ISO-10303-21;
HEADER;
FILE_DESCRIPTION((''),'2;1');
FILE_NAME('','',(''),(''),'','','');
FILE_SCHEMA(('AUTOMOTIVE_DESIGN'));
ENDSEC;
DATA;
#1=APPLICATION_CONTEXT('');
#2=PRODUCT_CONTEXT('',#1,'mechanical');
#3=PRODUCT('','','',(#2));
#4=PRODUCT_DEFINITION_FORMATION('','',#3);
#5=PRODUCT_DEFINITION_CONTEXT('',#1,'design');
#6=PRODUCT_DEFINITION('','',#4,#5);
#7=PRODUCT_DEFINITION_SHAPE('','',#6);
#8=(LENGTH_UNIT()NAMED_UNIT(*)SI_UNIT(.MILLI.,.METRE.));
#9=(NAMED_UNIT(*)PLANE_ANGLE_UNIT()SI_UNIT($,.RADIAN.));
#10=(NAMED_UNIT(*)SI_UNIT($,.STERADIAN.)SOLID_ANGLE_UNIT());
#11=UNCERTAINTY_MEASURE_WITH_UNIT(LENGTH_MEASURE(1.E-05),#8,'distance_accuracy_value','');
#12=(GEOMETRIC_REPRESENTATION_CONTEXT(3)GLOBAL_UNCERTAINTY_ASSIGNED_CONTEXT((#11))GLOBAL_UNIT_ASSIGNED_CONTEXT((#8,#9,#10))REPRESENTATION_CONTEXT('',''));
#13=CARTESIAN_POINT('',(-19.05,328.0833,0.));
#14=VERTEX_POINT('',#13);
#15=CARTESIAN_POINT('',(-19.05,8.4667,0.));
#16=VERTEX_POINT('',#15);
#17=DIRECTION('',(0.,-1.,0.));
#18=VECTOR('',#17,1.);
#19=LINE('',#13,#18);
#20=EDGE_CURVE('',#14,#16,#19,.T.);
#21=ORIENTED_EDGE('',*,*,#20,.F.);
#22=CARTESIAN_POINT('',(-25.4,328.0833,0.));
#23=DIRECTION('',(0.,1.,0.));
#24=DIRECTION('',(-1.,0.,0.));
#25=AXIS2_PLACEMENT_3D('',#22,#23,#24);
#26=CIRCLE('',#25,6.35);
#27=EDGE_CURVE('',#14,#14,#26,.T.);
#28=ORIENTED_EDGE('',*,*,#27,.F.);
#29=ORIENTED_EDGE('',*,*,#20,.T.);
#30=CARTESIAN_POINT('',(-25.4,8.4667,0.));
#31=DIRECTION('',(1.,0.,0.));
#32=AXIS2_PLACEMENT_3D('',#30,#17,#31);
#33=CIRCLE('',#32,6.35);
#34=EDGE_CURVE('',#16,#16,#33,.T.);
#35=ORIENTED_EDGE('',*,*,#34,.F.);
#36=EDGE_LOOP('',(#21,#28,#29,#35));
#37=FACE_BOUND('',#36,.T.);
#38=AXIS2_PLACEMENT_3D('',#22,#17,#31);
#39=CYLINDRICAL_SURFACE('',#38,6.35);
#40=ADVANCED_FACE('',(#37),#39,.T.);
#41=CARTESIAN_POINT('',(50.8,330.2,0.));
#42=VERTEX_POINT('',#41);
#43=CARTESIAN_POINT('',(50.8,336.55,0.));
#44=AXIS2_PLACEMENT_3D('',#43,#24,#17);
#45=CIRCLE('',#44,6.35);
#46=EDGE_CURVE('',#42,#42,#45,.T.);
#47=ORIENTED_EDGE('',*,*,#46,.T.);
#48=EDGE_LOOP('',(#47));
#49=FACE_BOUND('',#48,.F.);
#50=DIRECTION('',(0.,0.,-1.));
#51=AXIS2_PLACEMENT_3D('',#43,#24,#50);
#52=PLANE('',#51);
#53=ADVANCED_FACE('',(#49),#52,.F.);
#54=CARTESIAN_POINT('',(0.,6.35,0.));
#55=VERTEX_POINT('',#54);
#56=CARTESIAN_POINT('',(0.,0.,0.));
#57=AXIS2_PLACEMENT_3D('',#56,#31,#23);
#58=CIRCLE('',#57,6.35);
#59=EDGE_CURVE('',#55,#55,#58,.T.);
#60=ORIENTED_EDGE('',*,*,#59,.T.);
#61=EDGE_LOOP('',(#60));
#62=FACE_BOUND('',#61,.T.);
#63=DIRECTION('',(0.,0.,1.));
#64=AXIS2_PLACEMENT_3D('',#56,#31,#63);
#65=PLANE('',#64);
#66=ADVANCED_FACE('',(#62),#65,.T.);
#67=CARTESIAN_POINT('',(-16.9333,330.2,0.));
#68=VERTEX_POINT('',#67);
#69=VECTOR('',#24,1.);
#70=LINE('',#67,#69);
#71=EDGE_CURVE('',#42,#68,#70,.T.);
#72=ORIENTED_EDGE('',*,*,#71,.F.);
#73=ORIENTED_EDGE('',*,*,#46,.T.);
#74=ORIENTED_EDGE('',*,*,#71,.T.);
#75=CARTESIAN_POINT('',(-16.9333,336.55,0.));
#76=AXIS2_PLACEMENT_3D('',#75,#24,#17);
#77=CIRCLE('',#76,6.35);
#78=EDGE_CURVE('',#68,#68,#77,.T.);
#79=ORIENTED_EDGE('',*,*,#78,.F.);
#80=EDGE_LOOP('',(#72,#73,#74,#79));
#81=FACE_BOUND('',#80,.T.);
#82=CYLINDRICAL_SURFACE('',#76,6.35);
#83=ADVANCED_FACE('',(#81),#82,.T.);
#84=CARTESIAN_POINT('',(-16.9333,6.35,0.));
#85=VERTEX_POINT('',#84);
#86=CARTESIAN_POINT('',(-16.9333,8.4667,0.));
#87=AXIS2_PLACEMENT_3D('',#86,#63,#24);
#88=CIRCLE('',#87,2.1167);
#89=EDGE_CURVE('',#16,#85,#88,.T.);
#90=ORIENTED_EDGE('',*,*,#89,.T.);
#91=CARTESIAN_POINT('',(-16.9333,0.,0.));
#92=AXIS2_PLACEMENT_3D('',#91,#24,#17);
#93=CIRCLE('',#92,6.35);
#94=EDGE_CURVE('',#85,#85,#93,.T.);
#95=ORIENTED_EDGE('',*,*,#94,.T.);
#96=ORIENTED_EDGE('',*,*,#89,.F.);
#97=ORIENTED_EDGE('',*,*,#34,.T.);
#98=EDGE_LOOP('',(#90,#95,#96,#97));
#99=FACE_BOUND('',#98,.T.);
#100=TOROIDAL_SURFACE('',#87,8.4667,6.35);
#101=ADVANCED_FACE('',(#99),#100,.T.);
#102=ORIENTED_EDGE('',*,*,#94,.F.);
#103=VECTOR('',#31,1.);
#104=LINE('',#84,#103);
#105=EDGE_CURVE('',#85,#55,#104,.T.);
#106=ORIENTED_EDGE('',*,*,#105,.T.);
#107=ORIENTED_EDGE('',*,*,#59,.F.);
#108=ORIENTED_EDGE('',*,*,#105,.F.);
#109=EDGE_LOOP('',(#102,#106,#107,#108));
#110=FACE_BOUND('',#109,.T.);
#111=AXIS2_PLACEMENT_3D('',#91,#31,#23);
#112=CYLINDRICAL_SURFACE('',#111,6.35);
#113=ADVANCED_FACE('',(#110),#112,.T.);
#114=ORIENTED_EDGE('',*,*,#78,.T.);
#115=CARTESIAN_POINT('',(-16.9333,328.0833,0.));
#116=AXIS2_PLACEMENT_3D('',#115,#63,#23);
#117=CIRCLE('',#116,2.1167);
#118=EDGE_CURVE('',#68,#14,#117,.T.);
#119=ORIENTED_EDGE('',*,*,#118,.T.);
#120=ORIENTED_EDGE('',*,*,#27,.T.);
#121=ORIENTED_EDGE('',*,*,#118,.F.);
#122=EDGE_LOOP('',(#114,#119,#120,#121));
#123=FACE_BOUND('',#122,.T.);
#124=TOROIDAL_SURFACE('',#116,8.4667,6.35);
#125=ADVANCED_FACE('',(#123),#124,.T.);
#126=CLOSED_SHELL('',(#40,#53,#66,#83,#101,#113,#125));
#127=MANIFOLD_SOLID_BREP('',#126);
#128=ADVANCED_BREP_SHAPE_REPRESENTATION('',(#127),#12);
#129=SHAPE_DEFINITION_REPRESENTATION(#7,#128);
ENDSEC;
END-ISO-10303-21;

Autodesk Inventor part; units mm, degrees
ref_plane "YZ Plane" through (0, 0, 0) normal (1, 0, 0) x (0, 1, 0)
ref_plane "XZ Plane" through (0, 0, 0) normal (0, 1, 0) x (-1, 0, 0)
ref_plane "XY Plane" through (0, 0, 0) normal (0, 0, 1) x (1, 0, 0)
sketch "PipeSide" plane through (0, 0, 0) normal (0, 0, 1) x (1, 0, 0)
  line L0 (-25.4, 328.0833) -> (-25.4, 8.4667)
  line L1 (-16.9333, 0) -> (0, 0)
  line L2 (-16.9333, 336.55) -> (50.8, 336.55)
  arc A0 (-25.4, 8.4667) -> (-16.9333, 0) centre (-16.9333, 8.4667) ccw
  arc A1 (-16.9333, 336.55) -> (-25.4, 328.0833) centre (-16.9333, 328.0833) ccw
  point P0 (-25.4, 336.55)
  point P1 (-25.4, 0)
  point P2 (75.9666, 233.9144)
  point P3 (76.9893, 233.9144)
  dimension "d1" = 76.2
  dimension "d2" = 336.55
  dimension "d3" = 25.4
  dimension "d19" = 8.4667
sketch "PipeProfile" plane through (0, 0, 0) normal (1, 0, 0) x (0, 1, 0)
  circle A0 centre (0, 0) radius 6.35
  dimension "d18" = 12.7
sweep "Sweep4" add profiles "PipeProfile" path "PipeSide"
properties part number "TopPipeStraight" material "Copper, Cast"
